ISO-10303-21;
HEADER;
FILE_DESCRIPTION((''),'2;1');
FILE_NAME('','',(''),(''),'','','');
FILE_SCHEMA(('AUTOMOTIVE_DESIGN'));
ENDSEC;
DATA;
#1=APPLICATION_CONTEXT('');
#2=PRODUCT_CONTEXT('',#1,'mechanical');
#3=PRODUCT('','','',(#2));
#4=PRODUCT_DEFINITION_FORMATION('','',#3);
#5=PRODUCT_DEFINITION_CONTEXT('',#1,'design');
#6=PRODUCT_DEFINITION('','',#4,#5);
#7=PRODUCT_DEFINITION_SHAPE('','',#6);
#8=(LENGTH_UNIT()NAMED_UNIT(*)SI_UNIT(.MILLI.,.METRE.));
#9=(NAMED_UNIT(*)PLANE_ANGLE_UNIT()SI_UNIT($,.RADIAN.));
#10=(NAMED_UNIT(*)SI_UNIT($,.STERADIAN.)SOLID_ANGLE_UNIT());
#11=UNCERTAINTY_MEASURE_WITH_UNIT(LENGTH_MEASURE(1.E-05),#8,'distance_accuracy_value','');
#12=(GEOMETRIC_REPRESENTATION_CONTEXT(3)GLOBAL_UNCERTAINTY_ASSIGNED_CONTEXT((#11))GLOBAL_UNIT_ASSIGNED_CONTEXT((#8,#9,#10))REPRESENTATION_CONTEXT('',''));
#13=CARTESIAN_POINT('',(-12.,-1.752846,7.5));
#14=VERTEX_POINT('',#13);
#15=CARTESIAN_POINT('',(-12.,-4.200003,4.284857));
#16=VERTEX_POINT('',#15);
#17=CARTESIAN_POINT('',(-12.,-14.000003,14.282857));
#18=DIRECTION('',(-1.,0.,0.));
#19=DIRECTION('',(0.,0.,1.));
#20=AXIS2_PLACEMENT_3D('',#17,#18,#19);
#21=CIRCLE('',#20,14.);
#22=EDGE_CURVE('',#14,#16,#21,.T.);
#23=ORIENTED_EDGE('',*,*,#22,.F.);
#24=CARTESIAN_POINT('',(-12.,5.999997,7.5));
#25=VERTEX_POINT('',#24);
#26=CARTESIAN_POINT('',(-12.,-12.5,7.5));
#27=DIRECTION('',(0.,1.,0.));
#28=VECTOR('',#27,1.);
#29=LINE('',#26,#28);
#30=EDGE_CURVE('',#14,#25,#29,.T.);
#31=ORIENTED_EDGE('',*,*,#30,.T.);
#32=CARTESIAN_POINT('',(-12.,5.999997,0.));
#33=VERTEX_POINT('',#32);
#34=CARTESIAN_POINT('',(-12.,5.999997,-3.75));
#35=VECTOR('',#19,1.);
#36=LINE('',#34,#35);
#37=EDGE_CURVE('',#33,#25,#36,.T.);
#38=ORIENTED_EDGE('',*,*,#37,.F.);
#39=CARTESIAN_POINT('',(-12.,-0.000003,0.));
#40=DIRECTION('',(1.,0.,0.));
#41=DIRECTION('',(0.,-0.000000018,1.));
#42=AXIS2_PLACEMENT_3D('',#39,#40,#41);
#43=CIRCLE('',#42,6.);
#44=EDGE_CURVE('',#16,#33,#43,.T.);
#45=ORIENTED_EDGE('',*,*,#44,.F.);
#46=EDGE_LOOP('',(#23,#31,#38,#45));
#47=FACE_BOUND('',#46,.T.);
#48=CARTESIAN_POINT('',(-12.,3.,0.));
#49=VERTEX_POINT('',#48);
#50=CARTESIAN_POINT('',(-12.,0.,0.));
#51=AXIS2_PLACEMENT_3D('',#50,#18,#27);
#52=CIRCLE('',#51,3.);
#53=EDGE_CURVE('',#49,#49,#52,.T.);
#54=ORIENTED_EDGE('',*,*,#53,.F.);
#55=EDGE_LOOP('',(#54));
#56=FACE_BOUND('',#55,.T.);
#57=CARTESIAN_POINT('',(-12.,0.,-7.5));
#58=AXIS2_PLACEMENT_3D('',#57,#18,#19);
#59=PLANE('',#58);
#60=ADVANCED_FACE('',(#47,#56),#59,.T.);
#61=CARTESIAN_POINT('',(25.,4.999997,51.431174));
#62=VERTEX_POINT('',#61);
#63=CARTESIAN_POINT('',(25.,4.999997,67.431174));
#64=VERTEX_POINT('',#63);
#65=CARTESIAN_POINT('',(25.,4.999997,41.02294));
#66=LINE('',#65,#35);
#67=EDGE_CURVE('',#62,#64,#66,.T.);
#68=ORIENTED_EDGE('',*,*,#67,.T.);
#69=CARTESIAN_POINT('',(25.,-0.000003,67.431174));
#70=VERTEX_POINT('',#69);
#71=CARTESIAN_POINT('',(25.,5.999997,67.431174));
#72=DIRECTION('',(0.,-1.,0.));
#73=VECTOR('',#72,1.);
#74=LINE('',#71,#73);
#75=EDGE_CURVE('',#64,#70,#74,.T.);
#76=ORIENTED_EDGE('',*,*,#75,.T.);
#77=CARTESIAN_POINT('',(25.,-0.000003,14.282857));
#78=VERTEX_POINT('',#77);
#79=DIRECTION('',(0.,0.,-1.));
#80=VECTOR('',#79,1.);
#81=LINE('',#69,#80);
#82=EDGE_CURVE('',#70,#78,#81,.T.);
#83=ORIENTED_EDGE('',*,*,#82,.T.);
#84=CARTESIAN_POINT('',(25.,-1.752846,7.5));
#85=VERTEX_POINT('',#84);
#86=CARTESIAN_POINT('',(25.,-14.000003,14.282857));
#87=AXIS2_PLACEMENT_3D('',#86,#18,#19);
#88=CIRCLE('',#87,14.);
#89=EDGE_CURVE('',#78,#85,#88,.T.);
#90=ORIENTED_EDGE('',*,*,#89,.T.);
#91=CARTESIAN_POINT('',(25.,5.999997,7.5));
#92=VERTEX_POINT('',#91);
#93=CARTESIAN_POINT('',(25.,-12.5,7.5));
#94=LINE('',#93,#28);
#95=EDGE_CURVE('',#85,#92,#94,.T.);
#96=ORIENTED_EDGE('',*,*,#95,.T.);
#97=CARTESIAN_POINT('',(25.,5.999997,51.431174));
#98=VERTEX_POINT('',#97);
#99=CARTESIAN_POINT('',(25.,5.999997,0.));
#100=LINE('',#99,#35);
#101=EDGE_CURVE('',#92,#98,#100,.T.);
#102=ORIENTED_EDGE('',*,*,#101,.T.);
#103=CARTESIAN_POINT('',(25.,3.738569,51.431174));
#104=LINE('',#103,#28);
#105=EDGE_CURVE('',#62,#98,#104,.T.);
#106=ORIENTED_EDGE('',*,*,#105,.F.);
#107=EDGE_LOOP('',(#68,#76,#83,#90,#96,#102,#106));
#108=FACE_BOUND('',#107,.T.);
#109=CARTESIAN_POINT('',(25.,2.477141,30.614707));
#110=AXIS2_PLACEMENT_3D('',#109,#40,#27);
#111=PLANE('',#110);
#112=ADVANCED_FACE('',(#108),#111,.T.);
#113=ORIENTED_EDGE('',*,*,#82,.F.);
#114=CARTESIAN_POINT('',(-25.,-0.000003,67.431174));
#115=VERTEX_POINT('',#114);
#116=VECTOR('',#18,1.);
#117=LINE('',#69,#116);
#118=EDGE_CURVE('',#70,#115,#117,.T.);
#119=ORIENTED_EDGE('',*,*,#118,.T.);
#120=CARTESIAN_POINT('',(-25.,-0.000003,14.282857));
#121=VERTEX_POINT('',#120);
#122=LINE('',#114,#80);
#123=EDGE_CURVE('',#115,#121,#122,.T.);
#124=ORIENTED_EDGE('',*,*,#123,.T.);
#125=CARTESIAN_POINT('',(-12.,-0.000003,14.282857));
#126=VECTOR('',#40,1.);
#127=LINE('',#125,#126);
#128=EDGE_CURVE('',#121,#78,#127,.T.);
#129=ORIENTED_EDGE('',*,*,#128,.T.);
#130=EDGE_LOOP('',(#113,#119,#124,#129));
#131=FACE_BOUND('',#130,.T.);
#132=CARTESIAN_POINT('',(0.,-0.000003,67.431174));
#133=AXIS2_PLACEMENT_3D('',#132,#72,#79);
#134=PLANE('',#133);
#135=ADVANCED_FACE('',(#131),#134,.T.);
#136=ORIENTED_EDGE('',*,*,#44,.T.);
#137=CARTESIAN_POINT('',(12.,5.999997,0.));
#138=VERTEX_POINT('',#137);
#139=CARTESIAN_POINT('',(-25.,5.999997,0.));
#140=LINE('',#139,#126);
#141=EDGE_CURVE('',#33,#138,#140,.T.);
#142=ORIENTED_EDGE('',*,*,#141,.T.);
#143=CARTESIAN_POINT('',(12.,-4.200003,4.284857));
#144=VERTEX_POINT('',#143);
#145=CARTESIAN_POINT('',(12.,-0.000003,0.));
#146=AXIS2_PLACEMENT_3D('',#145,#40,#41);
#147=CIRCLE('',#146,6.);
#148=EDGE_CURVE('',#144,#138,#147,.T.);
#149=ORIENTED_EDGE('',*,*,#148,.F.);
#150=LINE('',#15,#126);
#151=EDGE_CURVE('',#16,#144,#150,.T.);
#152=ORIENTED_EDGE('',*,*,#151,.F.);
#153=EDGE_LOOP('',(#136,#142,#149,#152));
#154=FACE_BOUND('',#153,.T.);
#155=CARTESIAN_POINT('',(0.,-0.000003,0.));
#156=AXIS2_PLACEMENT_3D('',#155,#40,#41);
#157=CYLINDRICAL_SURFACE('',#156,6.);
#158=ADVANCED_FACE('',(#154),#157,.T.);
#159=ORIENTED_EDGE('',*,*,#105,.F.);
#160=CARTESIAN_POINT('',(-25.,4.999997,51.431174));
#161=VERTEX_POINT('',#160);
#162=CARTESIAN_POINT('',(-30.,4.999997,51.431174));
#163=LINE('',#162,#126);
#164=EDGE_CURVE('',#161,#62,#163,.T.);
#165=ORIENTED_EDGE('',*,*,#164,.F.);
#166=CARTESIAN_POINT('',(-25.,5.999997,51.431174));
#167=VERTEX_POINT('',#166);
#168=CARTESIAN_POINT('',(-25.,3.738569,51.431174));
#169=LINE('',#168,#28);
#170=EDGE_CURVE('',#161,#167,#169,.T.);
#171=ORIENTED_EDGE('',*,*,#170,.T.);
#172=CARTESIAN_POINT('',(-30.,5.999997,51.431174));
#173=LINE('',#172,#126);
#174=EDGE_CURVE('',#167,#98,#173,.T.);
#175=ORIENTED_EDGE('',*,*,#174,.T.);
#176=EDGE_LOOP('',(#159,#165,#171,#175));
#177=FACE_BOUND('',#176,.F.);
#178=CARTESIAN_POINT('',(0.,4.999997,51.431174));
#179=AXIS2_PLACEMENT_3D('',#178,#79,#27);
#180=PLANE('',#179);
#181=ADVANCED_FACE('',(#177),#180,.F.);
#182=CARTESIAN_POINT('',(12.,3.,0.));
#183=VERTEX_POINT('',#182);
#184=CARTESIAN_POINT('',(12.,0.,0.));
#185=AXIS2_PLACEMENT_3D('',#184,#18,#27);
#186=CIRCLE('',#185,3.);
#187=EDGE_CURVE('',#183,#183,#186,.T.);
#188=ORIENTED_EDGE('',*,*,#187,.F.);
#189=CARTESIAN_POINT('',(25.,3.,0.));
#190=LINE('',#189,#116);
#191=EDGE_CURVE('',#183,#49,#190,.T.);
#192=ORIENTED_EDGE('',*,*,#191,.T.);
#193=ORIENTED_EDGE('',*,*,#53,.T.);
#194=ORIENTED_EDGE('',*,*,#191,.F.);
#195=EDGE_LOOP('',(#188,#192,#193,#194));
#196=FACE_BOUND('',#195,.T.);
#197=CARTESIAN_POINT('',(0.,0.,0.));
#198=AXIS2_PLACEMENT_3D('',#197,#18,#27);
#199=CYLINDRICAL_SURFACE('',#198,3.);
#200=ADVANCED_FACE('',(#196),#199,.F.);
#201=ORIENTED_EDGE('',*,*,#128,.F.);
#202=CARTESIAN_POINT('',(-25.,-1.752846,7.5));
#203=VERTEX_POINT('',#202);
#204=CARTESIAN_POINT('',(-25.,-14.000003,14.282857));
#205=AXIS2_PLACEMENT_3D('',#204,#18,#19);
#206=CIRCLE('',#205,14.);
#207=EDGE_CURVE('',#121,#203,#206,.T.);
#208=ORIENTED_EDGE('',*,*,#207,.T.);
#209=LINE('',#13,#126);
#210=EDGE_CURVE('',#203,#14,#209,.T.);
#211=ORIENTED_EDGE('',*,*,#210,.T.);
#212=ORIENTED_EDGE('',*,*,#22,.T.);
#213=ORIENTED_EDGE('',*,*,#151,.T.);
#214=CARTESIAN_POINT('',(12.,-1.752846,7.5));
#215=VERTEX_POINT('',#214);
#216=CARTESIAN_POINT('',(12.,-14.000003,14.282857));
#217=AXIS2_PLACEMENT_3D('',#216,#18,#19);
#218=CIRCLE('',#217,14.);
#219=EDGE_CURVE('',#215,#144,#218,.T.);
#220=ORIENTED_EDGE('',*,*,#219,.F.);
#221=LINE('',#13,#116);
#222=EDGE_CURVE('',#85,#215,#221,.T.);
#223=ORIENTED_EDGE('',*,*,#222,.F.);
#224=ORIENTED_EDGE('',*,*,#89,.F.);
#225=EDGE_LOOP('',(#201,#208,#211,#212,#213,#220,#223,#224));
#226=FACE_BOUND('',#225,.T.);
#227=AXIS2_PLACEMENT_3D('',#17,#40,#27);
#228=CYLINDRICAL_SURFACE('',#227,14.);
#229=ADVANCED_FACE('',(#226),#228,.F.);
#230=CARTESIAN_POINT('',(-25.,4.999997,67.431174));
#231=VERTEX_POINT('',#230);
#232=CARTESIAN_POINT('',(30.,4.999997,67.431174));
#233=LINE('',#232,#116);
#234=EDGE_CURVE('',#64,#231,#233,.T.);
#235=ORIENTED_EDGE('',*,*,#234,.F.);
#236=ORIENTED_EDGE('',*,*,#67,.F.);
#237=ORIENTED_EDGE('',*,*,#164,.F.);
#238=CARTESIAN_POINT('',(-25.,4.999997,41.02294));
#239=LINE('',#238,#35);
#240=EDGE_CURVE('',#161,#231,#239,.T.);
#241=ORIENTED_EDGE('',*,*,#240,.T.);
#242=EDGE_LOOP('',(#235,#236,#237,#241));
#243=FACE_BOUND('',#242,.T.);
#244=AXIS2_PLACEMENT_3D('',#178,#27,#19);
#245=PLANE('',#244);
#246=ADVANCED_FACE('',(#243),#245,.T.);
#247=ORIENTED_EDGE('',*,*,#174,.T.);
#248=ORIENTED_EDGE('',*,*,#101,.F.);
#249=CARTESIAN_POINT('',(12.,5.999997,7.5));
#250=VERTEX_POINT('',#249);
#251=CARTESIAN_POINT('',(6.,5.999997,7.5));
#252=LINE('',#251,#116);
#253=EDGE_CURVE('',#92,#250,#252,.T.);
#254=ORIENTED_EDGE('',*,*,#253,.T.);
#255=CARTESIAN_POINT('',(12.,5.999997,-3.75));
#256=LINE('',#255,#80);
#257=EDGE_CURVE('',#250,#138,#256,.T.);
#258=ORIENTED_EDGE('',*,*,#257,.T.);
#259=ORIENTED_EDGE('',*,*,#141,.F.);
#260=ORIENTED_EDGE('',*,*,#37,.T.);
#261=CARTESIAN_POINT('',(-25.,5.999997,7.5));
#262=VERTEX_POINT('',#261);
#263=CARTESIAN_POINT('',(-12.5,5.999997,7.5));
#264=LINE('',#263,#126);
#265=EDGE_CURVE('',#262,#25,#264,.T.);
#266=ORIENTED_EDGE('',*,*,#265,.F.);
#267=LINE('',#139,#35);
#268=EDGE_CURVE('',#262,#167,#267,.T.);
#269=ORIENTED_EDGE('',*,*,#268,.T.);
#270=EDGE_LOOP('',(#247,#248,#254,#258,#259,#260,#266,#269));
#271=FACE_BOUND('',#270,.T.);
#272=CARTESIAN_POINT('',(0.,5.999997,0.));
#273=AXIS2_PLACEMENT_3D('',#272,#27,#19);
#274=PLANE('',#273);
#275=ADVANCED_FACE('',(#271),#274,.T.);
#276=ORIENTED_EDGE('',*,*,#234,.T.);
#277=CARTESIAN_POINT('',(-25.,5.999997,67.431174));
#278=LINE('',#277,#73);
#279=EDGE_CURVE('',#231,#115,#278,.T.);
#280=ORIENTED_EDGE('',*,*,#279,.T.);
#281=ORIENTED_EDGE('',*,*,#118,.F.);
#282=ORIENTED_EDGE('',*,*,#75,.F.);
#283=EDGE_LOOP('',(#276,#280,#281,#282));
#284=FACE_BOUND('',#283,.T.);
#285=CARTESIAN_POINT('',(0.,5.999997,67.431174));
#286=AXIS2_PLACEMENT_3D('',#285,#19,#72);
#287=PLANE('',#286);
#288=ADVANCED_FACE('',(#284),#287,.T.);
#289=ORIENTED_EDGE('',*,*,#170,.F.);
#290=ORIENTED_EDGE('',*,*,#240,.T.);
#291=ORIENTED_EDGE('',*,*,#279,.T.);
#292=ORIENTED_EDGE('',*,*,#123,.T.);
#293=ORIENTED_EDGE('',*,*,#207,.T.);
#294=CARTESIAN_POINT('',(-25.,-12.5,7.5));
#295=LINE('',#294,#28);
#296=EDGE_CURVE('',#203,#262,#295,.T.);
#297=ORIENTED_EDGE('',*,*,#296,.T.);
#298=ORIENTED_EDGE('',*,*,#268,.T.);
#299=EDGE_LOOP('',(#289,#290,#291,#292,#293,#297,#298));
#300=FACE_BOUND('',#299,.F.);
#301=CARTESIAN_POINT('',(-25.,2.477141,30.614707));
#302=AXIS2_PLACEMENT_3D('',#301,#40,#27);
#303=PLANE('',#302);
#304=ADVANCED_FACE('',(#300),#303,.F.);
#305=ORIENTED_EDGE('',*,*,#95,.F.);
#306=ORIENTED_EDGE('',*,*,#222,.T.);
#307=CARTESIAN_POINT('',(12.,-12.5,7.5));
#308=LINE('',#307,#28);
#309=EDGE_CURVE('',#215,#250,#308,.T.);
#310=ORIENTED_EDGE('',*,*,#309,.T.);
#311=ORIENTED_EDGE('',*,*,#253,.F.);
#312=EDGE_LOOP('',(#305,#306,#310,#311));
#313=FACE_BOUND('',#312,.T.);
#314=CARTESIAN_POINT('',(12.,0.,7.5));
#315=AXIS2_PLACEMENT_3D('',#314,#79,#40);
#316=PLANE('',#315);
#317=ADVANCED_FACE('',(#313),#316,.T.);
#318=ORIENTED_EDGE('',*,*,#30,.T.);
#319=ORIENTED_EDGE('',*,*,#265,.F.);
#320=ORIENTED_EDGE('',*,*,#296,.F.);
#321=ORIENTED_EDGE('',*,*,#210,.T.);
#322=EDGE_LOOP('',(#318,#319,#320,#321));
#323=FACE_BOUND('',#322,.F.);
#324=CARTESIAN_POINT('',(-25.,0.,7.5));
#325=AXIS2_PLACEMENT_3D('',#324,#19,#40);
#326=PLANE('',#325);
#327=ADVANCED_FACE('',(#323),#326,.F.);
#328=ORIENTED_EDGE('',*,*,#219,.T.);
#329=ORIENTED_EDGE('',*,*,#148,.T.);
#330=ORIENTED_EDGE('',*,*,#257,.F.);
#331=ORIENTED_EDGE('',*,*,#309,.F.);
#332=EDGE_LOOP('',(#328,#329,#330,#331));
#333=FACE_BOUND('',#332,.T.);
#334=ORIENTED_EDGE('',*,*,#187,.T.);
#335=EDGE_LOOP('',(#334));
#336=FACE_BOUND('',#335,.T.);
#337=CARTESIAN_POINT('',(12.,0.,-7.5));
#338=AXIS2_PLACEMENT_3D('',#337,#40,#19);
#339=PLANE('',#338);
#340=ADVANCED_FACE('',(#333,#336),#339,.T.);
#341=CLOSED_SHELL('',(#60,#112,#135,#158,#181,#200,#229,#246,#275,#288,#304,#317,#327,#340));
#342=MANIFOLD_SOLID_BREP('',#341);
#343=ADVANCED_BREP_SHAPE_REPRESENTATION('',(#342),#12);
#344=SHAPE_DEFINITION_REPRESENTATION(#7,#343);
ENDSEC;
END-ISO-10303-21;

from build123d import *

# Parameters (mm, degrees)
F0_R     = 3
F1_DEPTH = 25
F2_W     = 13
F2_H     = 15
F3_DEPTH = 12.5
F4_W     = 1
F4_H     = 16
F5_DEPTH = 30
F6_R     = 14


with BuildPart() as f1:
    # F0 (on Right) → F1 (new body, symmetric)
    with BuildSketch(Plane.YZ):
        with BuildLine():
            Line((-3e-06, 67.431174), (-3e-06, 6))
            ThreePointArc((-3e-06, 6), (-4.242643, -4.242641), (5.999997, 0))
            Line((5.999997, 0), (5.999997, 67.431174))
            Line((5.999997, 67.431174), (-3e-06, 67.431174))
        make_face()
        with Locations((-3e-06, 0)):
            Circle(F0_R, mode=Mode.SUBTRACT)
    extrude(amount=F1_DEPTH, both=True)

    # F2 (on Front) → F3 (cut, symmetric)
    with BuildSketch(Plane.XZ):
        with Locations((-18.5, 0)):
            Rectangle(F2_W, F2_H)
        with Locations((18.5, 0)):
            Rectangle(F2_W, F2_H)
    extrude(amount=F3_DEPTH, both=True, mode=Mode.SUBTRACT)

    # F4 (on Right) → F5 (cut, symmetric)
    with BuildSketch(Plane.YZ):
        with Locations((5.499997, 59.431174)):
            Rectangle(F4_W, F4_H)
    extrude(amount=F5_DEPTH, both=True, mode=Mode.SUBTRACT)

    # F6
    f6_edges = [f1.edges().sort_by_distance(p)[0] for p in [
        (0, -3e-06, 6),
    ]]
    fillet(f6_edges, radius=F6_R)


solid = f1.part
